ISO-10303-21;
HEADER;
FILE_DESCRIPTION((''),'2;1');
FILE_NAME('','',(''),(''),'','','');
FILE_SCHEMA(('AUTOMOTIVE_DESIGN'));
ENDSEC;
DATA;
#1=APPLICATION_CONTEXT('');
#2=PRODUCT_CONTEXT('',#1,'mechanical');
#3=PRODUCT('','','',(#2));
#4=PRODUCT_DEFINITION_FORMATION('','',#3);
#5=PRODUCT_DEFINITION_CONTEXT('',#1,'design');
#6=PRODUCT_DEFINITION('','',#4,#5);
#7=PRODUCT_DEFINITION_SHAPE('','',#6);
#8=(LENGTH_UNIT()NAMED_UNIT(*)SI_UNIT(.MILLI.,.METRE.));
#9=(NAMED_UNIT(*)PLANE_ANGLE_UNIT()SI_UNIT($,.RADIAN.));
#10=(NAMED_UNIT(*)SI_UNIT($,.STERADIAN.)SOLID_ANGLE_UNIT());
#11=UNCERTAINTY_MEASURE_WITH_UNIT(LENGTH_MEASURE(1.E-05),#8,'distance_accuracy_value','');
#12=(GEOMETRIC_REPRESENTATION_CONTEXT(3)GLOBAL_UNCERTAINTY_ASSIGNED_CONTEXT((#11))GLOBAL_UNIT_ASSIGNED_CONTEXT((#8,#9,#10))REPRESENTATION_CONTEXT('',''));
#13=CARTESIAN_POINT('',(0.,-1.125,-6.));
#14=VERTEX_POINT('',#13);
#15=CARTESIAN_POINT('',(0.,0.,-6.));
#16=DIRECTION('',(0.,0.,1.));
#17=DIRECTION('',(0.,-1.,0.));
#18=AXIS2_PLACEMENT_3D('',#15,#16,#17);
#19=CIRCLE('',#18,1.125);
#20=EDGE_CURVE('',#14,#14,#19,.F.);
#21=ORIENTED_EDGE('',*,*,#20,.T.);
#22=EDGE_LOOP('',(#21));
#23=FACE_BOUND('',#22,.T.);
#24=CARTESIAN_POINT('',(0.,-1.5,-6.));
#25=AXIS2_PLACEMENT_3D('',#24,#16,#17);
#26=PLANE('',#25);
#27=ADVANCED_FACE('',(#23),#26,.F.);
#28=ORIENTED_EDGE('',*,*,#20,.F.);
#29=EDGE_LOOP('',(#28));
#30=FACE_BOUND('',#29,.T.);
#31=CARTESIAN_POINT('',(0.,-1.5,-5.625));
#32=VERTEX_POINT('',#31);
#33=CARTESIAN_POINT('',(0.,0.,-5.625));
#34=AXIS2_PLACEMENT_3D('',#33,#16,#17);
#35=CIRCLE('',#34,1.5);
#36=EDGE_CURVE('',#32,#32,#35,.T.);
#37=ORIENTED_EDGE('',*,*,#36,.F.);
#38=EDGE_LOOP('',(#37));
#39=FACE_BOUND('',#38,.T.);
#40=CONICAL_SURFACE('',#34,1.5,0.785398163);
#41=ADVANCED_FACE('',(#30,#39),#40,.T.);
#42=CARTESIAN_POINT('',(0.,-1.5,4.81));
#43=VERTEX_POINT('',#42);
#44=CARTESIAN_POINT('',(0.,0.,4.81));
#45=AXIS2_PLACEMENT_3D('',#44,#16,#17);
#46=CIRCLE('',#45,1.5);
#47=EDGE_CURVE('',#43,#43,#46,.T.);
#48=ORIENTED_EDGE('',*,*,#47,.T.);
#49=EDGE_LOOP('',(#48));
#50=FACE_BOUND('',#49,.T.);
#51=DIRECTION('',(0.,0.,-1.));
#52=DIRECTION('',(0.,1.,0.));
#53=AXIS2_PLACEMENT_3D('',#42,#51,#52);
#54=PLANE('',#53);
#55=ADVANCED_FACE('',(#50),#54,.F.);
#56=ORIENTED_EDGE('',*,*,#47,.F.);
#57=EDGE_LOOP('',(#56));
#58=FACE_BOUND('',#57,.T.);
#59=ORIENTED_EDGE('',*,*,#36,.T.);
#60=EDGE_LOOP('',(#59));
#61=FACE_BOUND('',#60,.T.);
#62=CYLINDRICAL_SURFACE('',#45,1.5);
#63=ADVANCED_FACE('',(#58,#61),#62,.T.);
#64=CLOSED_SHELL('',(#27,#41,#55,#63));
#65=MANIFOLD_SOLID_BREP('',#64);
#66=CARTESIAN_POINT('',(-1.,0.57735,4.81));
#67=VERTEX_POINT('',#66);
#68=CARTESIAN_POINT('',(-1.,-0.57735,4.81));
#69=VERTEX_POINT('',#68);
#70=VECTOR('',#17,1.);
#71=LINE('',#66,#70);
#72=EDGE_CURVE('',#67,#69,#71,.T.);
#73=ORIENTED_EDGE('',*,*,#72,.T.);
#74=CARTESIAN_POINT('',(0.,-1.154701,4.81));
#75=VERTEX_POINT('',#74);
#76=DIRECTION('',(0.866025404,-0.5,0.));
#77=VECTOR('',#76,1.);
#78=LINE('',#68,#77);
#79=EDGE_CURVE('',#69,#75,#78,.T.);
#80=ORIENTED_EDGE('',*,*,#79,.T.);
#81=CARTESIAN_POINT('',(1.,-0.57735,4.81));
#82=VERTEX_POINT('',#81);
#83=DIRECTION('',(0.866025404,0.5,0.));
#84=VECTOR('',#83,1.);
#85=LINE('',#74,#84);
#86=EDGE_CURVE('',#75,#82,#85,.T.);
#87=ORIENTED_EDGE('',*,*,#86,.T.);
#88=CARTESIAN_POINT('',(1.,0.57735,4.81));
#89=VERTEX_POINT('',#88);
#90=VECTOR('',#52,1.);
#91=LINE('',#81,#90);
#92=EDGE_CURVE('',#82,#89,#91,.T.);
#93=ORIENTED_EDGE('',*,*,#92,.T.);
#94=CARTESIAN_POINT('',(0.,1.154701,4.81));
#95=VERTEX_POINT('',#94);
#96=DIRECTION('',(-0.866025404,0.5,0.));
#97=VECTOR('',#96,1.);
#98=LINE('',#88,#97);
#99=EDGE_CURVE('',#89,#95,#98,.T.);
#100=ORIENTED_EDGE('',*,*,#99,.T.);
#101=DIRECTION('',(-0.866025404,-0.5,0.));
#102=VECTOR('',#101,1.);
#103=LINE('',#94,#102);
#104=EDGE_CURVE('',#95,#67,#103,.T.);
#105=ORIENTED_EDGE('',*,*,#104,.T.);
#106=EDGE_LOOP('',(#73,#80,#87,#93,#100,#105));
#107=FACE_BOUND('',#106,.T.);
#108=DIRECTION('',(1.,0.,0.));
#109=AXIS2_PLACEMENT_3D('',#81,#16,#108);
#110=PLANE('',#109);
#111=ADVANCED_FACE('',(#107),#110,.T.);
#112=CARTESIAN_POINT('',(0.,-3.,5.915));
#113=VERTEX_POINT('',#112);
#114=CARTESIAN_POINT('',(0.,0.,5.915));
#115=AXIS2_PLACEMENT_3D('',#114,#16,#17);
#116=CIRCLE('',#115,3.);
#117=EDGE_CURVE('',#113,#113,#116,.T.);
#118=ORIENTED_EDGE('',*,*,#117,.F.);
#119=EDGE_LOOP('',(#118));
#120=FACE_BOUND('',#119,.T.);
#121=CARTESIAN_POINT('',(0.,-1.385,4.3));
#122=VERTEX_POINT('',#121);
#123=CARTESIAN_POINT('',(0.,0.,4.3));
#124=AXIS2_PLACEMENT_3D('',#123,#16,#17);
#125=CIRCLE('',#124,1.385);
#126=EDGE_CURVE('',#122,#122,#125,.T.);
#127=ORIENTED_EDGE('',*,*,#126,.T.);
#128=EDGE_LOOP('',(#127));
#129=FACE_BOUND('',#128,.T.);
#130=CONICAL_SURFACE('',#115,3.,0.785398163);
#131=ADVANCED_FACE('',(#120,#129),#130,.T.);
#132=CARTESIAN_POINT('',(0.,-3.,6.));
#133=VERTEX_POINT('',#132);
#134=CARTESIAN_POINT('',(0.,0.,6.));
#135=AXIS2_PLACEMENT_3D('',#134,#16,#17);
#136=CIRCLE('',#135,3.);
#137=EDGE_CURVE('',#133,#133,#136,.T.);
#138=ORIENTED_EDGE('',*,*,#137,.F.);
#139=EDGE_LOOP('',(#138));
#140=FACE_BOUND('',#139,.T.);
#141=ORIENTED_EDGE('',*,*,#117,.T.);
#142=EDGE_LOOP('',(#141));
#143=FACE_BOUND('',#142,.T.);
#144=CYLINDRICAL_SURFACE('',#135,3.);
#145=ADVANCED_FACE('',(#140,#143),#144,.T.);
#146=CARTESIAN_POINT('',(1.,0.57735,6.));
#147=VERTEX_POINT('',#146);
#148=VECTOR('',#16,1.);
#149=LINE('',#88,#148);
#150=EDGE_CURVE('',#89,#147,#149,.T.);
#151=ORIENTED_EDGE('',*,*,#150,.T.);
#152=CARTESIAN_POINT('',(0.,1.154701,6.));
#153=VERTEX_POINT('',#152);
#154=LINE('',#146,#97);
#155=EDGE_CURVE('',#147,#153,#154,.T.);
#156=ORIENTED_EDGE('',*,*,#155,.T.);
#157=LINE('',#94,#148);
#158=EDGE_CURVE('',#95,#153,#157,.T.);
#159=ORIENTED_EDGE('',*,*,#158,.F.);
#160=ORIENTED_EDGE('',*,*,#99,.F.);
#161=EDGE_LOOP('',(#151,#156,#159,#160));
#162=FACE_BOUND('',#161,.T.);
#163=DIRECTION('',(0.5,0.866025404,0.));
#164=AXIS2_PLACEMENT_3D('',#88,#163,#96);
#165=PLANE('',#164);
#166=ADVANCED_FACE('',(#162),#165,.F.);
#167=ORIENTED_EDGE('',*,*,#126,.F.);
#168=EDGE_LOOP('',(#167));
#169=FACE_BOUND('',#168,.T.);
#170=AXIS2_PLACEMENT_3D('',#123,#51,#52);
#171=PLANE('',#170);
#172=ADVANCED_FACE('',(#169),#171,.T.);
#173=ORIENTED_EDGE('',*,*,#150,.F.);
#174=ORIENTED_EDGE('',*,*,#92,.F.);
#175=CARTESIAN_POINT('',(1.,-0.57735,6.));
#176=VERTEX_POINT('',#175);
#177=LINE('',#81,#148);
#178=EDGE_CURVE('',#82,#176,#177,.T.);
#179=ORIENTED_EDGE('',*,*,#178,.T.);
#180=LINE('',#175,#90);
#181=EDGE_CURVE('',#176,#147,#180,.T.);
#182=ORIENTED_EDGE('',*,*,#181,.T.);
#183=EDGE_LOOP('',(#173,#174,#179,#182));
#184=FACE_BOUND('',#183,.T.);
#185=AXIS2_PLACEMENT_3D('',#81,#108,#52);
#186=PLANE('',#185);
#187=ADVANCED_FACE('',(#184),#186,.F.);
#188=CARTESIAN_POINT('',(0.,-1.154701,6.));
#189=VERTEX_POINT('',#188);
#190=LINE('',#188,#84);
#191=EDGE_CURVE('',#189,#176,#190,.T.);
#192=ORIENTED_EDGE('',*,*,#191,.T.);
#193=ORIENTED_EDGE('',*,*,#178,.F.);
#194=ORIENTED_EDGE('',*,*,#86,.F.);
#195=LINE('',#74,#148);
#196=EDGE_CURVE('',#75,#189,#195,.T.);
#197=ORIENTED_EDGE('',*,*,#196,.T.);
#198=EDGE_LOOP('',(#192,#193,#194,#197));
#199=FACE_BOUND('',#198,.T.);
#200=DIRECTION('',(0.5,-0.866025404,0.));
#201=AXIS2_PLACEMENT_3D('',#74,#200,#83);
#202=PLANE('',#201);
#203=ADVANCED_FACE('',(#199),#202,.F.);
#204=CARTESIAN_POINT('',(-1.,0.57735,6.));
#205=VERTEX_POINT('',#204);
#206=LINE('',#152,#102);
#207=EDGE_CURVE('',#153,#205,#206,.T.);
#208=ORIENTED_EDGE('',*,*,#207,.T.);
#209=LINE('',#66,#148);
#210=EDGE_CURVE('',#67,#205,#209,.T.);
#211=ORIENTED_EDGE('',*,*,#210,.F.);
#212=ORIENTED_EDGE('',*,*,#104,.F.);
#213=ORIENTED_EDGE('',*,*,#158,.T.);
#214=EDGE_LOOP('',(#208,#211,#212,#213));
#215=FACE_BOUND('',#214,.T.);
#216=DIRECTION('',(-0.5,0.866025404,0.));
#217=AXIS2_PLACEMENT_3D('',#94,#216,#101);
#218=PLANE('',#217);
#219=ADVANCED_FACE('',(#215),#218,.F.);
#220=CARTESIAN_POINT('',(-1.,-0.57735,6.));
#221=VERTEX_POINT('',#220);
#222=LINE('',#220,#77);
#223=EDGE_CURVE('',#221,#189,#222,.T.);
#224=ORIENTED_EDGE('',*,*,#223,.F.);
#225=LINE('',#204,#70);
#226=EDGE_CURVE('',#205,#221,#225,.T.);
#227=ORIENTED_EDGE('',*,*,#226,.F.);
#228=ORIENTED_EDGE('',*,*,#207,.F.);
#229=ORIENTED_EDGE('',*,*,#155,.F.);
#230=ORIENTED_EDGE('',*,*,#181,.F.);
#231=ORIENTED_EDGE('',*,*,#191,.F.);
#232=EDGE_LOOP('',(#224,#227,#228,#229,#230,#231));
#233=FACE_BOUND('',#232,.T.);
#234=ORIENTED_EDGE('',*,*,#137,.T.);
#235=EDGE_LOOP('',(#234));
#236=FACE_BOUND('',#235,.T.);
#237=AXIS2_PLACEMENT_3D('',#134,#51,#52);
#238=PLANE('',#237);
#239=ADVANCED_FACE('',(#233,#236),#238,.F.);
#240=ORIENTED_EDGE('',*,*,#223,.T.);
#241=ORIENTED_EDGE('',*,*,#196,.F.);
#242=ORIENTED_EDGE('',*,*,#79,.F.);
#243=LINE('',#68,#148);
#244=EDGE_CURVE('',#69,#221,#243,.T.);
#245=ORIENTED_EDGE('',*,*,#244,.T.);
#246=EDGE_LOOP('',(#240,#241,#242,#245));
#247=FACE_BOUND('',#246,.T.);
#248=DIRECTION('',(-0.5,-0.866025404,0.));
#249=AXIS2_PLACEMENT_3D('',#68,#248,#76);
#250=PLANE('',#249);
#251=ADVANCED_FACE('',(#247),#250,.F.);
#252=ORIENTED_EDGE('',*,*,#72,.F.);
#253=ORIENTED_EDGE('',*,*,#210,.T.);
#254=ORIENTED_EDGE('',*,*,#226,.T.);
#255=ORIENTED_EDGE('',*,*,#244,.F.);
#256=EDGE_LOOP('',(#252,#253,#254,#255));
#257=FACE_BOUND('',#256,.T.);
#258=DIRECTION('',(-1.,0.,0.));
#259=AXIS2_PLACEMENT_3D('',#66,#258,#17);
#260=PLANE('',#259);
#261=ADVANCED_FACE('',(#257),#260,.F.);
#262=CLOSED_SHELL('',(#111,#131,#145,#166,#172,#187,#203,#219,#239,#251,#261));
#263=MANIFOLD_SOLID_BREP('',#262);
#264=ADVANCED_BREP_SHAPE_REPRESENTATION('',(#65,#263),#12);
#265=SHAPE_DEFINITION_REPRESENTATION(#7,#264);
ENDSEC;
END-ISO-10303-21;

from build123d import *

# Parameters (mm, degrees)
CHAMFER1_SIZE      = 0.375
CUT_EXTRUDE2_DEPTH = 1.19


with BuildPart() as part:
    # Sketch1 → Revolve1 (revolve)
    with BuildSketch(Plane(origin=(0, 0, 0), x_dir=(0, 0, -1), z_dir=(1, 0, 0))):
        Polygon((-4.3, 1.5), (6, 1.5), (6, 0), (-4.81, 0), (-4.81, 1.5), align=None)
    revolve(axis=Axis((0, 0, 4.81), (0, 0, -1)))

    # Chamfer1
    chamfer1_edges = [part.edges().sort_by_distance(p)[0] for p in [
        (0, -1.5, -6),
    ]]
    chamfer(chamfer1_edges, length=CHAMFER1_SIZE)


with BuildPart() as body_2:
    # Sketch7 → Revolve2 (revolve)
    with BuildSketch(Plane(origin=(0, 0, 0), x_dir=(0, 0, -1), z_dir=(1, 0, 0))):
        Polygon((-5.915, 3), (-6, 3), (-6, 0), (-4.3, 0), (-4.3, 1.385), align=None)
    revolve(axis=Axis((0, 0, 6), (0, 0, -1)))

    # Sketch5 → Cut-Extrude2 (cut)
    with BuildSketch(Plane.XY.offset(6)):
        Polygon((1, -0.577350269), (1, 0.577350269), (0, 1.154700538), (-1, 0.577350269), (-1, -0.577350269), (0, -1.154700538), align=None)
    extrude(amount=-CUT_EXTRUDE2_DEPTH, mode=Mode.SUBTRACT)


solid = Compound([part.part, body_2.part])
